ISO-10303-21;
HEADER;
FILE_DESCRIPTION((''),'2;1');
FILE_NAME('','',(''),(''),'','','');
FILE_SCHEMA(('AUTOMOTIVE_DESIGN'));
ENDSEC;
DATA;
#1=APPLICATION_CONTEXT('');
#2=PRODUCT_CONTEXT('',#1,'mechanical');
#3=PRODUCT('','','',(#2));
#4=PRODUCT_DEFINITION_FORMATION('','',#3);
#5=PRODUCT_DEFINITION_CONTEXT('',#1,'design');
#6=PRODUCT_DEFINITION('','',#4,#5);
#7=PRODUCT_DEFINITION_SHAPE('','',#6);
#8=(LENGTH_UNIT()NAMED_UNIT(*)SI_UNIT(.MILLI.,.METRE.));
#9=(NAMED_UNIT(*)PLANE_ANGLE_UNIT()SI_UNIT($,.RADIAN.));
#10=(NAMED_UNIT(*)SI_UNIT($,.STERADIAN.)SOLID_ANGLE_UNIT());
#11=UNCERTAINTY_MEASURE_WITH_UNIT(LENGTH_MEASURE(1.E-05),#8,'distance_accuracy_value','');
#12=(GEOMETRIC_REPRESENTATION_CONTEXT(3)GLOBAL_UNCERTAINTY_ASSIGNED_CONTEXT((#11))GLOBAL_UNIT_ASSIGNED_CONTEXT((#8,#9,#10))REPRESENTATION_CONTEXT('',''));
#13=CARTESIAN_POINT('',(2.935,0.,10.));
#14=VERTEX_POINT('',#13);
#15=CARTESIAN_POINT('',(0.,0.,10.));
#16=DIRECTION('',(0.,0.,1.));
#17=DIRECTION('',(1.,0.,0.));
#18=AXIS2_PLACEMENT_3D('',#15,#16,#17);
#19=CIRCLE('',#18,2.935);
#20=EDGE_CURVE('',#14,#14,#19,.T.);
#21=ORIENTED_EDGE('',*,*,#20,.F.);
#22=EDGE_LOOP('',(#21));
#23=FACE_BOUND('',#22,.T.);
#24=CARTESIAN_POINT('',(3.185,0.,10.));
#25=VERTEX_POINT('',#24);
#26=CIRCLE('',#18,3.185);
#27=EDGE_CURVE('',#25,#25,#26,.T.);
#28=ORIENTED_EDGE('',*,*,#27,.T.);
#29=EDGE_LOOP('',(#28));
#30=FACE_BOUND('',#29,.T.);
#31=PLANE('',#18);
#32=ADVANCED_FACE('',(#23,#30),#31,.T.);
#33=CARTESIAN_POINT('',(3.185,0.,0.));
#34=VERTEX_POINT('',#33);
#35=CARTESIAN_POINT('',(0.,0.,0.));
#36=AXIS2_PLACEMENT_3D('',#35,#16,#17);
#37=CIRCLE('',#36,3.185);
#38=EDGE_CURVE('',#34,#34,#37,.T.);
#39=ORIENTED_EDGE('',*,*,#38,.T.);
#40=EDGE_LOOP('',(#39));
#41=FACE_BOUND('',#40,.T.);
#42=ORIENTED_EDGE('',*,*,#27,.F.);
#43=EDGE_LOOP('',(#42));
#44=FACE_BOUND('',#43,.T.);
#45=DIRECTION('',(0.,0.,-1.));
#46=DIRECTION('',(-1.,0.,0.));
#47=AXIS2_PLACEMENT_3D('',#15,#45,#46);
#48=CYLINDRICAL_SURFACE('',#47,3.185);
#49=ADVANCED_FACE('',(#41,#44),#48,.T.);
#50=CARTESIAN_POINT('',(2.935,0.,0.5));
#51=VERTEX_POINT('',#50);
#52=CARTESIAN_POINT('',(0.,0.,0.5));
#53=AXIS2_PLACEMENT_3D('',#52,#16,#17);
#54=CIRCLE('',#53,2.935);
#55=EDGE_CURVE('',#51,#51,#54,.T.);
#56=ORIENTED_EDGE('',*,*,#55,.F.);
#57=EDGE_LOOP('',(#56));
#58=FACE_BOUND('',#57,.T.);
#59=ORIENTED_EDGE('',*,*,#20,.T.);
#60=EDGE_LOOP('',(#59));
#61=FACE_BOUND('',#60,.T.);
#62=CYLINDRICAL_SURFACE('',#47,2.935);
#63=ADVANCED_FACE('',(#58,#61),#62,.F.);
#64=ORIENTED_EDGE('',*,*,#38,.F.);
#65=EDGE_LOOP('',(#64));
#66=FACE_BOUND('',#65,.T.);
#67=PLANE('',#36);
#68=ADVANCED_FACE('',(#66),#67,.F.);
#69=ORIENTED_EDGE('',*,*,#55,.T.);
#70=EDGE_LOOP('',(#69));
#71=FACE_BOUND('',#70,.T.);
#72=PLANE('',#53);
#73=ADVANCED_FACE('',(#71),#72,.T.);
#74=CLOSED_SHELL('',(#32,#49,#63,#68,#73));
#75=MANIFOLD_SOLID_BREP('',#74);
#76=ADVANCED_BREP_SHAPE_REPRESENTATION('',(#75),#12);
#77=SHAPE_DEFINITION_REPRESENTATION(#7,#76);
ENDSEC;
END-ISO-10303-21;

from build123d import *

# Parameters (mm, degrees)
SKETCH1_R           = 3.185
SKETCH1_R_2         = 2.935
BOSS_EXTRUDE2_DEPTH = 10
SKETCH1_6_R         = 2.935
BOSS_EXTRUDE3_DEPTH = 0.5


with BuildPart() as part:
    # Sketch1 → Boss-Extrude2 (new body)
    with BuildSketch(Plane.XY):
        Circle(SKETCH1_R)
        Circle(SKETCH1_R_2, mode=Mode.SUBTRACT)
    extrude(amount=BOSS_EXTRUDE2_DEPTH)

    # Sketch1<6> → Boss-Extrude3 (add)
    with BuildSketch(Plane.XY):
        Circle(SKETCH1_6_R)
    extrude(amount=BOSS_EXTRUDE3_DEPTH)


solid = part.part
